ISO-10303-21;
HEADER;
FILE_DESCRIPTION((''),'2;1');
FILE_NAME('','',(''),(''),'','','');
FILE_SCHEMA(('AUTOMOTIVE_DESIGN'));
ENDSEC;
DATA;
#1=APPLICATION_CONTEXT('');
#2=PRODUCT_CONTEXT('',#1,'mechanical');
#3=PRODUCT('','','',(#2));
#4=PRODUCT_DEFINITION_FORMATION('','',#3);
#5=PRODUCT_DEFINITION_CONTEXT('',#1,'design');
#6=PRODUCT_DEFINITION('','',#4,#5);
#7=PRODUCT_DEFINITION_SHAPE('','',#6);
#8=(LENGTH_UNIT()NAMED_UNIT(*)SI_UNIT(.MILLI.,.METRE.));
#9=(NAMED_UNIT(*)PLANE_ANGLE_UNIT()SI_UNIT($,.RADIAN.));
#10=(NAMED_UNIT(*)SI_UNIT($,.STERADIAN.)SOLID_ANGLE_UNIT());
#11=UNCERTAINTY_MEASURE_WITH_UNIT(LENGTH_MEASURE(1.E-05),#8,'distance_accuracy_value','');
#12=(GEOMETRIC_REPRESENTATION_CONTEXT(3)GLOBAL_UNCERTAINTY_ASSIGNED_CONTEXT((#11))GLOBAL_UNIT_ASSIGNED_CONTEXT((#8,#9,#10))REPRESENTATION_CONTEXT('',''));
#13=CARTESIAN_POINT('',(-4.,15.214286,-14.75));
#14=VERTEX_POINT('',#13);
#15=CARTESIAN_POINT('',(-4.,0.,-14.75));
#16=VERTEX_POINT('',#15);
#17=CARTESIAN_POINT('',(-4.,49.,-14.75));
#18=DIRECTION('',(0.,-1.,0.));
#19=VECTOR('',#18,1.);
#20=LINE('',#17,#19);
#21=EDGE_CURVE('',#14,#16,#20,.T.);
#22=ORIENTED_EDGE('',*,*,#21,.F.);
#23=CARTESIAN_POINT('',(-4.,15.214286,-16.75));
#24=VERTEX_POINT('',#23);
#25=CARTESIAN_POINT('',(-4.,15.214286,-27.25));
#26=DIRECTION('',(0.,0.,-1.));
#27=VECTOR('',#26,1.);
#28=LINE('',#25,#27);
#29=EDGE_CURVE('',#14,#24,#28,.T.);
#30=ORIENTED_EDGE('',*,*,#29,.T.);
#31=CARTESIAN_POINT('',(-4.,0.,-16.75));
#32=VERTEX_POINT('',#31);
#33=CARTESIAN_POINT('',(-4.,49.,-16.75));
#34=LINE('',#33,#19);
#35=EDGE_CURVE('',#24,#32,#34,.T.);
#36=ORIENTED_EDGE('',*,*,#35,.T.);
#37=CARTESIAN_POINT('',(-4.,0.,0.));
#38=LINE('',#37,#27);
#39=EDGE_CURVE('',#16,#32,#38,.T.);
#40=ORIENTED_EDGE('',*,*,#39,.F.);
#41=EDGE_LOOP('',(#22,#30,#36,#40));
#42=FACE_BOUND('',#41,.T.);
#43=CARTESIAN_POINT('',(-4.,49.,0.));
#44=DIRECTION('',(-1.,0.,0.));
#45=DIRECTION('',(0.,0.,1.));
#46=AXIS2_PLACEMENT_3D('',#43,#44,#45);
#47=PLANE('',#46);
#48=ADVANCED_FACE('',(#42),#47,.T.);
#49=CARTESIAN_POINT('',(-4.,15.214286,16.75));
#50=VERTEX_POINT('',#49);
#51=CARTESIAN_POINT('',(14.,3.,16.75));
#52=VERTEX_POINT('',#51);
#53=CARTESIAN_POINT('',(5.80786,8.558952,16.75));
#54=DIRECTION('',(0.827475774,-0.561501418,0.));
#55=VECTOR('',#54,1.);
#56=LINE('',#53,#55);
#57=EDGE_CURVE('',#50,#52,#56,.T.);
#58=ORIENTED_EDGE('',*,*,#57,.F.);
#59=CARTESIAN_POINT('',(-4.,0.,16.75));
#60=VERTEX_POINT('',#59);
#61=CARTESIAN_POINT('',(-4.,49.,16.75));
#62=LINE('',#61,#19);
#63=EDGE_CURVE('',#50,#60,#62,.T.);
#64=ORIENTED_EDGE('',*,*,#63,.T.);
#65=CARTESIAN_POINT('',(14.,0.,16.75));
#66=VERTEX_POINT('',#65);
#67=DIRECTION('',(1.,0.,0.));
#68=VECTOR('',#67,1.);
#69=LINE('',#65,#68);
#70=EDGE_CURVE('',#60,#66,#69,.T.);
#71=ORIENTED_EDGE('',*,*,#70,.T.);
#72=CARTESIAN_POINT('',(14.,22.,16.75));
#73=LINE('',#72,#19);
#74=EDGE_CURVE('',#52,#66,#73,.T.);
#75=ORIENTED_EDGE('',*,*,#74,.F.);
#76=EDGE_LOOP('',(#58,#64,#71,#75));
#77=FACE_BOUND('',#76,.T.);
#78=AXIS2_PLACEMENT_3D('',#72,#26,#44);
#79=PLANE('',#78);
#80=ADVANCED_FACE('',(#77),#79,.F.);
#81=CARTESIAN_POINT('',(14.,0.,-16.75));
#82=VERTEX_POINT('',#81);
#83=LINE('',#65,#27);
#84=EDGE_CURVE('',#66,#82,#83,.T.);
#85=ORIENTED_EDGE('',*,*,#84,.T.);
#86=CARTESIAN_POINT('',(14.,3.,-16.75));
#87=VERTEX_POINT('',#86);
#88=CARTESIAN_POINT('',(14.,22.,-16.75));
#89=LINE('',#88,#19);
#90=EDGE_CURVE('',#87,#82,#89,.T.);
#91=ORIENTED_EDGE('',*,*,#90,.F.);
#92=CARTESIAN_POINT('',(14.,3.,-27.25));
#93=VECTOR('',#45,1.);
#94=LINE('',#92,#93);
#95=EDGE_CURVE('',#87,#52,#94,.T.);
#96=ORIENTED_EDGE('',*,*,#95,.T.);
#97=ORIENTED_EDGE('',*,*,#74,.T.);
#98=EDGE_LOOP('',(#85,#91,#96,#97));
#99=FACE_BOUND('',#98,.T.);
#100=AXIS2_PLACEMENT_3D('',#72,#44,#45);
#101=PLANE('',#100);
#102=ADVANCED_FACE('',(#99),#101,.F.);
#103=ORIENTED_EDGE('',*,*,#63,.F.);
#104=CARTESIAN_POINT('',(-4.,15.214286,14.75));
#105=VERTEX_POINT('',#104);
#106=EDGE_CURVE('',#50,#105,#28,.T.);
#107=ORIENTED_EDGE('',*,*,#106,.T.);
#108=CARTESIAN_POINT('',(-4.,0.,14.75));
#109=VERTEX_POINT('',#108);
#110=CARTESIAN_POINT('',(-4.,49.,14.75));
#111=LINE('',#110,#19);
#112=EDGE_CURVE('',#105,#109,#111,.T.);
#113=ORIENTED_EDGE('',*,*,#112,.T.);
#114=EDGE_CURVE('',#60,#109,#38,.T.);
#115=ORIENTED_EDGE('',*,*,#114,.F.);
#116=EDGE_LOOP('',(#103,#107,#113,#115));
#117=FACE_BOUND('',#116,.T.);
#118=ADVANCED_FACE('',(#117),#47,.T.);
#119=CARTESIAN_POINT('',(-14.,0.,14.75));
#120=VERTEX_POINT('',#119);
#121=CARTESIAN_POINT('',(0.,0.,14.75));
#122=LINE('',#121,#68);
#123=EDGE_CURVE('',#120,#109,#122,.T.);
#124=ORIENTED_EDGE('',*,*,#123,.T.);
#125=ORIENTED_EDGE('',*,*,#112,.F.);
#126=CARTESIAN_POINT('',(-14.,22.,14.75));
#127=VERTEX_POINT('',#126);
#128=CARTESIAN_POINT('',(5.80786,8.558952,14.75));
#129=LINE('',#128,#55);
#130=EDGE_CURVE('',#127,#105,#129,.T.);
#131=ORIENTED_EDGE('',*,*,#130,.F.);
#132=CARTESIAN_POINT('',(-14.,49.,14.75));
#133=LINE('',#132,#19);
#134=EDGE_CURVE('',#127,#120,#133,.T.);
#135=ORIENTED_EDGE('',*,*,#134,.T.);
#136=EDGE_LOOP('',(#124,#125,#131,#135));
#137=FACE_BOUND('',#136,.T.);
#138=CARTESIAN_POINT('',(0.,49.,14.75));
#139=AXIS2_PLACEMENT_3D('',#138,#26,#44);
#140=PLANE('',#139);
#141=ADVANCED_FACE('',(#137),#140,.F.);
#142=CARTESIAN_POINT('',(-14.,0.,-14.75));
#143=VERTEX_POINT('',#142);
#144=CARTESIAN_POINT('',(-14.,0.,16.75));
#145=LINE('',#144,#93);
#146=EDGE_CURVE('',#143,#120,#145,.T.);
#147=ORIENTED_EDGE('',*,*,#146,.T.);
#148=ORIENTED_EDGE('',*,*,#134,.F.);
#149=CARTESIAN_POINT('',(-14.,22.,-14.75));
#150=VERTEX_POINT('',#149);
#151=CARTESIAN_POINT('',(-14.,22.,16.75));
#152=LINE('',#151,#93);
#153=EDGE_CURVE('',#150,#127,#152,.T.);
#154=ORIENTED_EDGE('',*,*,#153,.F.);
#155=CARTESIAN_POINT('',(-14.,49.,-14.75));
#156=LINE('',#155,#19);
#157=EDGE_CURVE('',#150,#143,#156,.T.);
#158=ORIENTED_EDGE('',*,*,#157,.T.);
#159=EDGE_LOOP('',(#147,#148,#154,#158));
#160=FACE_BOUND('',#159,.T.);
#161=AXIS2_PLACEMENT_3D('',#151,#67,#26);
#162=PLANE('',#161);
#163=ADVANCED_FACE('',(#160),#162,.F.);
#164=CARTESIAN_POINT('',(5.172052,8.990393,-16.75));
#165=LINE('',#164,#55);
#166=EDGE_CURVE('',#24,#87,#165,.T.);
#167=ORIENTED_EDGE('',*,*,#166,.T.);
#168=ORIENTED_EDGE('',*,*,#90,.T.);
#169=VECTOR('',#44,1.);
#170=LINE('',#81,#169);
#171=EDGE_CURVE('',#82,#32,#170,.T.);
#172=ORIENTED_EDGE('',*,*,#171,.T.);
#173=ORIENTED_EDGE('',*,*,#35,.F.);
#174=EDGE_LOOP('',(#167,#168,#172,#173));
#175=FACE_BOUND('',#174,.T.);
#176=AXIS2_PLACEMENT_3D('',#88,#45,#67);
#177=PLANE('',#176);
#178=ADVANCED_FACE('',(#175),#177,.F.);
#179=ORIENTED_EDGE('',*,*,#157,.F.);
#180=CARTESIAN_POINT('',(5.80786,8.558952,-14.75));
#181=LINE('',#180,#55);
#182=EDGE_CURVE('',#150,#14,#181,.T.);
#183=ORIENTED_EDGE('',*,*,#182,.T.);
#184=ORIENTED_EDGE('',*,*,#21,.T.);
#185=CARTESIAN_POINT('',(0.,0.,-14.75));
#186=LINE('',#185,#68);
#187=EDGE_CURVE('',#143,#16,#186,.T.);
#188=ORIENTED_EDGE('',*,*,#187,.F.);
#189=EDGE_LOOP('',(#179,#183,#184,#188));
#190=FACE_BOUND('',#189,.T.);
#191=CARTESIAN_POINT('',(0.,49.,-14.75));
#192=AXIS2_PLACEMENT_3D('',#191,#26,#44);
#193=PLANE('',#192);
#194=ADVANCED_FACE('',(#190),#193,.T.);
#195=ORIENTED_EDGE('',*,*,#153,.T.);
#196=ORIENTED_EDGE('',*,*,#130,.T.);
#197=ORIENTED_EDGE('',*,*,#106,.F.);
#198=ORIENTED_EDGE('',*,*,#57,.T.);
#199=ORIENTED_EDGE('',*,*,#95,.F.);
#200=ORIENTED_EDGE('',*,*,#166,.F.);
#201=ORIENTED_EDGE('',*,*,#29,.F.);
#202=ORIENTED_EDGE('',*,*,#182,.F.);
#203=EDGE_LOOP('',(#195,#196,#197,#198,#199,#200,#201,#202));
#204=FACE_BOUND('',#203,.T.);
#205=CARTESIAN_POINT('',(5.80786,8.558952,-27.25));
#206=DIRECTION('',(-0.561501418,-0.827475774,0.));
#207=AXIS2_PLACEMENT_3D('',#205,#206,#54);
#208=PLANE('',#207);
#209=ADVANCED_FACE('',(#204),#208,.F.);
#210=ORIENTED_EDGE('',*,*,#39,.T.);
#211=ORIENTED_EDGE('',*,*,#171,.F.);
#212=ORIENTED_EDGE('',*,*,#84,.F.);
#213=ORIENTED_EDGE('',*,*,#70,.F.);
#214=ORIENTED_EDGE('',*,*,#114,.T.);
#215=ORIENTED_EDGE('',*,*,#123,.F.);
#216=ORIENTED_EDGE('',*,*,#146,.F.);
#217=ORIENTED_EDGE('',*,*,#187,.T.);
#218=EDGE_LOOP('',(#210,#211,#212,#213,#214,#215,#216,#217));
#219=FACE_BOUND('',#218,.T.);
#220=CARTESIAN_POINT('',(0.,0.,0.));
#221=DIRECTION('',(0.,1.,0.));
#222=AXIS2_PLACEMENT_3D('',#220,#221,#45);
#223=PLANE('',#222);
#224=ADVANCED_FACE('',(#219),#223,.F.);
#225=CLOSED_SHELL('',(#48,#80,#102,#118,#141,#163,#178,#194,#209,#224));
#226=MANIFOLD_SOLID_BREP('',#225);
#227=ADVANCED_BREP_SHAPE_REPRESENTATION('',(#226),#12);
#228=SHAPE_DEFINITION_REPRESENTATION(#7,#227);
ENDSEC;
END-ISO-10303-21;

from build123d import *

# Parameters (mm, degrees)
SKETCH1_W           = 28
SKETCH1_H           = 33.5
BOSS_EXTRUDE1_DEPTH = 22
CUT_EXTRUDE1_DEPTH  = 44
SKETCH4_W           = 10
SKETCH4_H           = 2
CUT_EXTRUDE3_DEPTH  = 49


with BuildPart() as part:
    # Sketch1 → Boss-Extrude1 (new body)
    with BuildSketch(Plane(origin=(0, 0, 0), x_dir=(1, 0, 0), z_dir=(0, 1, 0))):
        Rectangle(SKETCH1_W, SKETCH1_H)
    extrude(amount=BOSS_EXTRUDE1_DEPTH)

    # Sketch3 → Cut-Extrude1 (cut)
    with BuildSketch(Plane.XY.offset(16.75)):
        Polygon((14, 22), (-14, 22), (14, 3), align=None)
    extrude(amount=-CUT_EXTRUDE1_DEPTH, mode=Mode.SUBTRACT)

    # Sketch4 → Cut-Extrude3 (cut)
    with BuildSketch(Plane.XZ):
        with Locations((-9, 15.75)):
            Rectangle(SKETCH4_W, SKETCH4_H)
        with Locations((-9, -15.75)):
            Rectangle(SKETCH4_W, SKETCH4_H)
    extrude(amount=-CUT_EXTRUDE3_DEPTH, mode=Mode.SUBTRACT)


solid = part.part
